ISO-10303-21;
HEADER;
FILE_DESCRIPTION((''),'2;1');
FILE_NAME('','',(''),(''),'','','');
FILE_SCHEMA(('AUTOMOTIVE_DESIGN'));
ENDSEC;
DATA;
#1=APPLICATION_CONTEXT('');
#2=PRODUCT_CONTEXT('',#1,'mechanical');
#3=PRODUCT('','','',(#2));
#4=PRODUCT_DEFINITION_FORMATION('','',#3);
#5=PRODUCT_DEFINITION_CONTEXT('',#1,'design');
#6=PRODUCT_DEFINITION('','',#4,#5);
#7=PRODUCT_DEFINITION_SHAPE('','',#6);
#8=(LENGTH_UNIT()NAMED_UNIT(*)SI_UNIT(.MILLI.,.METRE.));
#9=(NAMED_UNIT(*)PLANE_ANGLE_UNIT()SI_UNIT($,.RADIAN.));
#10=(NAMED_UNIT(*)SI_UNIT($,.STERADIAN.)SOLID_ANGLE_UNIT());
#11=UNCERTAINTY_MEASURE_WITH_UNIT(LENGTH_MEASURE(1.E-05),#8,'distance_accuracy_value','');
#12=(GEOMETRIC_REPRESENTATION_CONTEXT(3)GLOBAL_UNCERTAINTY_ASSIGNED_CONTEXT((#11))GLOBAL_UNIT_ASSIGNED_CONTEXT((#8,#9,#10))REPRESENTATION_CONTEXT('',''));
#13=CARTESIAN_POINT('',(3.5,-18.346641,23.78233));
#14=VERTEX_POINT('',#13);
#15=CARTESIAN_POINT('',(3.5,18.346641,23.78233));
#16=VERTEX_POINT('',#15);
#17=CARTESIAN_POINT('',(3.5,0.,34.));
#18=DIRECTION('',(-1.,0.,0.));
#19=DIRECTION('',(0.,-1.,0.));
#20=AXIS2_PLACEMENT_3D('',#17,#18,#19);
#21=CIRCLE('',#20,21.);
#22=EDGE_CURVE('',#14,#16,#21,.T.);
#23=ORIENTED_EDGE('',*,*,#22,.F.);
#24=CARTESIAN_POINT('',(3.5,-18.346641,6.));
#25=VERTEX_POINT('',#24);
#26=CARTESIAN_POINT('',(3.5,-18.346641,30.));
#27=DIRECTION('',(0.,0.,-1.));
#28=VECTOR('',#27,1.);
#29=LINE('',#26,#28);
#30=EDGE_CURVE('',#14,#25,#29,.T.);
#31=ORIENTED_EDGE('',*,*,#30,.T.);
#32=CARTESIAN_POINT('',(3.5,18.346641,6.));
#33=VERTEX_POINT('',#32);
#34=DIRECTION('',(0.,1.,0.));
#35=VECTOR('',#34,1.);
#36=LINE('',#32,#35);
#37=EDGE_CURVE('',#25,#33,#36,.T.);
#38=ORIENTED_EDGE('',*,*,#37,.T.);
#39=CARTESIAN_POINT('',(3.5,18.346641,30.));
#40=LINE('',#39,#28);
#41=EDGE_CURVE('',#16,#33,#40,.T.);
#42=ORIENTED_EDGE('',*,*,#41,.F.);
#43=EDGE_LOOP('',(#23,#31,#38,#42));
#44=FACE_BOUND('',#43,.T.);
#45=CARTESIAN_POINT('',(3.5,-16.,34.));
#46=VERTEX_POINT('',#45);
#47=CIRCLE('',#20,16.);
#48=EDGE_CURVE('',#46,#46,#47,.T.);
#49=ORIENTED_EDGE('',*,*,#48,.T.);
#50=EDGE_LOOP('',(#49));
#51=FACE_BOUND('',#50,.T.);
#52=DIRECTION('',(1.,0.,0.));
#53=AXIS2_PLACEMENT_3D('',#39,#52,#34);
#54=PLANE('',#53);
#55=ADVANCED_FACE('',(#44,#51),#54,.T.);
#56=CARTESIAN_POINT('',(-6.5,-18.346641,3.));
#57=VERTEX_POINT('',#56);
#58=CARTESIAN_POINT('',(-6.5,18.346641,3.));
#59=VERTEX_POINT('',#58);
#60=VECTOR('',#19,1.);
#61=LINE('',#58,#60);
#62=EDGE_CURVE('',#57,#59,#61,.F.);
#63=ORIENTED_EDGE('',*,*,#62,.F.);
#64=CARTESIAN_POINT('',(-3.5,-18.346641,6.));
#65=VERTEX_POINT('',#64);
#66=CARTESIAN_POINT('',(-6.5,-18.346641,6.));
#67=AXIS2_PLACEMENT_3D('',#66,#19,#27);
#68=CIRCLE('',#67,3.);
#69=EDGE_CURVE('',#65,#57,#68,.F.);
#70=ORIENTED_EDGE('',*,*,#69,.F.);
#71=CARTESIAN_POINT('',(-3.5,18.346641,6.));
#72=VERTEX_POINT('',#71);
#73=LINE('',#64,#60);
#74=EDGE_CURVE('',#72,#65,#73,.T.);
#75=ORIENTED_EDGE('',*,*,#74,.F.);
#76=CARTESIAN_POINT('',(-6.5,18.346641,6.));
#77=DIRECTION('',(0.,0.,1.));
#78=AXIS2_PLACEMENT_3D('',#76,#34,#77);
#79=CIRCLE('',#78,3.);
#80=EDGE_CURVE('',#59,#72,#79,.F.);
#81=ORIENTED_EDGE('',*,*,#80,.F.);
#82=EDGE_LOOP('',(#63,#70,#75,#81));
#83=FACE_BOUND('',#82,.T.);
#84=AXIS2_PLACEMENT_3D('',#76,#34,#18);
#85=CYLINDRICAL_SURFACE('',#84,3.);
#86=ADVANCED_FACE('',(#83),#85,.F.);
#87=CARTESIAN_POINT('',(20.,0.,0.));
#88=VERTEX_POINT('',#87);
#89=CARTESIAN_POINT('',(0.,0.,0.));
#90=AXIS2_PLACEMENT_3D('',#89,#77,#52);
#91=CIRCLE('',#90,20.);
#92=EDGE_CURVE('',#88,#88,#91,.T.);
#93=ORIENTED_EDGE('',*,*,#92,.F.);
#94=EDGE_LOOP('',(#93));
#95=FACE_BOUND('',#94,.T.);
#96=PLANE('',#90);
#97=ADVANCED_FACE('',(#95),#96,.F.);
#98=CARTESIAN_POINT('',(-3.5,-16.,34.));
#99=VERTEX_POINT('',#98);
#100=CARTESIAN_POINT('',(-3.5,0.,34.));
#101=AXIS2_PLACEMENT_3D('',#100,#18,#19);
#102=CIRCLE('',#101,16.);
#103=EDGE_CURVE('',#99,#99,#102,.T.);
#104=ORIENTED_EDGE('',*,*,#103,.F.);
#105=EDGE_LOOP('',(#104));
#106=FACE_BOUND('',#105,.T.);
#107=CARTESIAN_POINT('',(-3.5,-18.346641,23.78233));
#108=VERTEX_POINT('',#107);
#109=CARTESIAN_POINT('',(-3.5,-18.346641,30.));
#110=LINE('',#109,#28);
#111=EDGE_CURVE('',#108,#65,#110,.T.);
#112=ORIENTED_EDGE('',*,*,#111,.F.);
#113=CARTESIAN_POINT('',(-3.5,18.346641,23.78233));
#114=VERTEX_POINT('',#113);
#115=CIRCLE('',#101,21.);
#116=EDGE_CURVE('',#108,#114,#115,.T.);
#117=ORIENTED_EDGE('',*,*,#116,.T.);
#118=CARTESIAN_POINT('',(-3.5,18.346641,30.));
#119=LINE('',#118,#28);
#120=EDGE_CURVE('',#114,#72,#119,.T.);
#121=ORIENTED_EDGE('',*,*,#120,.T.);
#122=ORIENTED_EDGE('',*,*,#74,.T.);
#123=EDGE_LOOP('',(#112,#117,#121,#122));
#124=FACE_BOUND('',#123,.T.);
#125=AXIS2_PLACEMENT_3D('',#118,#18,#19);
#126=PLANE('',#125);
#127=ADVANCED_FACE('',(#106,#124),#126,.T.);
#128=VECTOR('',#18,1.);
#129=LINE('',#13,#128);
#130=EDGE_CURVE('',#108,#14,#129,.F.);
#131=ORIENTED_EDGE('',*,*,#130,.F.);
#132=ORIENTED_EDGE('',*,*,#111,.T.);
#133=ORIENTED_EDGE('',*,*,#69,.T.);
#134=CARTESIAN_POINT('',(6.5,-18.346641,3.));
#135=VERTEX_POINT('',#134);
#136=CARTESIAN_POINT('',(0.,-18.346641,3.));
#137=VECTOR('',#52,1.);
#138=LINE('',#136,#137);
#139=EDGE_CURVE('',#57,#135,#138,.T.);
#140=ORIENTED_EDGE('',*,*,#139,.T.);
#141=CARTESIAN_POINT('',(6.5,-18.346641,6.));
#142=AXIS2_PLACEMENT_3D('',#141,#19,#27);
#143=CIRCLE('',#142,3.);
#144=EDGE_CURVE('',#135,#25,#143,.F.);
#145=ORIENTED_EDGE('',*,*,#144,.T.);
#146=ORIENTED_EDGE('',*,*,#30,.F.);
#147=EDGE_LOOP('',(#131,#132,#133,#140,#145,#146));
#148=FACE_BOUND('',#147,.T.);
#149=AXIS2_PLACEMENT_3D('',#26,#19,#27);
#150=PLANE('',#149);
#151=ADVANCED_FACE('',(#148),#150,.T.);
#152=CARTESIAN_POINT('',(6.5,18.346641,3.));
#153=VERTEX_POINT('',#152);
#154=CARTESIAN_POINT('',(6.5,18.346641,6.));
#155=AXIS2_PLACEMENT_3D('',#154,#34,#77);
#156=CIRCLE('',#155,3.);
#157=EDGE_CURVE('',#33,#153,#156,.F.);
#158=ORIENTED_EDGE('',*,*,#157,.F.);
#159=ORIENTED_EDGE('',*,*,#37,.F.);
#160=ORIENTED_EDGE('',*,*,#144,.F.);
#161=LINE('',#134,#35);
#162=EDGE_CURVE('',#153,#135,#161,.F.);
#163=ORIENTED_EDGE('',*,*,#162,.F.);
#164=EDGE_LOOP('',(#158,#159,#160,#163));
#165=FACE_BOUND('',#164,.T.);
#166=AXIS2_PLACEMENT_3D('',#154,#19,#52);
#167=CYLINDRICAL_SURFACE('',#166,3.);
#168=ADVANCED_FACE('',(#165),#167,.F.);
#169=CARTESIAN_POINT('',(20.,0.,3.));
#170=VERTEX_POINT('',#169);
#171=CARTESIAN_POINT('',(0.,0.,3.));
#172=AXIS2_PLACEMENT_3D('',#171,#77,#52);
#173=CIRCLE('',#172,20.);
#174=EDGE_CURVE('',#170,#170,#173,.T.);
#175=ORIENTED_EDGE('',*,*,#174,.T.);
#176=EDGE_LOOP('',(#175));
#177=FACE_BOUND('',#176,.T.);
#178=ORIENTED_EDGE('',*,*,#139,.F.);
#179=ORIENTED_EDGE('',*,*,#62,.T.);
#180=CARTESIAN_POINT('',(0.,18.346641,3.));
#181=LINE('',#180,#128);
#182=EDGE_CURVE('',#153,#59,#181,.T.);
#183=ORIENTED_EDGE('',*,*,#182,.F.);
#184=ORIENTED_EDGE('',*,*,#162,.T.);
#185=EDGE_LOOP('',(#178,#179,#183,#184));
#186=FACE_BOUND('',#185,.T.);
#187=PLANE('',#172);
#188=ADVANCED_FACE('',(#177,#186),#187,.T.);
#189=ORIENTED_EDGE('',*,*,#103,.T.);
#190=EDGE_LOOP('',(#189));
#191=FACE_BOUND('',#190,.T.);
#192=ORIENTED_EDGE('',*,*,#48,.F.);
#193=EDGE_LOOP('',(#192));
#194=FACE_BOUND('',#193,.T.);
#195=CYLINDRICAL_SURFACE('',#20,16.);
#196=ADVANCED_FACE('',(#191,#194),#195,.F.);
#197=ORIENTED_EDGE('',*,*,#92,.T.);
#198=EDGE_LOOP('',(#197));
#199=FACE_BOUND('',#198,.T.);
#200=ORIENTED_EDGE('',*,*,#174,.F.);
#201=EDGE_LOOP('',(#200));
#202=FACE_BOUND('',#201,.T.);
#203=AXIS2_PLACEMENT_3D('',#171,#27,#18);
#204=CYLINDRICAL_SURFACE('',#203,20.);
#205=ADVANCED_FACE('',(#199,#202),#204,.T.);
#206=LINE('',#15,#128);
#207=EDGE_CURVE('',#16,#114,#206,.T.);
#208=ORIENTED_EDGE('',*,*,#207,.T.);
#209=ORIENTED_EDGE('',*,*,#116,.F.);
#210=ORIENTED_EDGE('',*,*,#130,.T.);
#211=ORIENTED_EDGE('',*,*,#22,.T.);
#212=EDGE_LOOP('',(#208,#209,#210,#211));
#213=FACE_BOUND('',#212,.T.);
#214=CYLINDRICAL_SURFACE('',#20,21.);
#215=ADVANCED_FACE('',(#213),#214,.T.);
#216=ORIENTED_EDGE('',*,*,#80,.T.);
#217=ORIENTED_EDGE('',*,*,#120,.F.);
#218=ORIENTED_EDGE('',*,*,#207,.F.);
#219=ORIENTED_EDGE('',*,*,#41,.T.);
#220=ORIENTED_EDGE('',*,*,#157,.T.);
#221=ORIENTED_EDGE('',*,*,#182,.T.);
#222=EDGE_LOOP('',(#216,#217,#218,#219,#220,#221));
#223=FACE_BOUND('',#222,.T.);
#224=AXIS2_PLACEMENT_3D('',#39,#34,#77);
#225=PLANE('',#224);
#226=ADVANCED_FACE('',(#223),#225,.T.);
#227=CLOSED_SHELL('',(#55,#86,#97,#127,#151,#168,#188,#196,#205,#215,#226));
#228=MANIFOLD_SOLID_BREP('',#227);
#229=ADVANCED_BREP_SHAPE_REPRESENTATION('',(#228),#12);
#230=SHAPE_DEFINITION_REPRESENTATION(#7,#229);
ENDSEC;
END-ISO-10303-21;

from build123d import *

# Parameters (mm, degrees)
SKETCH1_R           = 20
BOSS_EXTRUDE1_DEPTH = 3
SKETCH2_W           = 7
SKETCH2_H           = 36.693281072
BOSS_EXTRUDE2_DEPTH = 30
FILLET2_R           = 3
SKETCH3_R           = 21
SKETCH3_R_2         = 16
BOSS_EXTRUDE3_DEPTH = 7
SKETCH4_R           = 16
CUT_EXTRUDE1_DEPTH  = 7


with BuildPart() as part:
    # Sketch1 → Boss-Extrude1 (new body)
    with BuildSketch(Plane.XY):
        Circle(SKETCH1_R)
    extrude(amount=BOSS_EXTRUDE1_DEPTH)

    # Sketch2 → Boss-Extrude2 (add)
    with BuildSketch(Plane(origin=(0, 0, 0), x_dir=(-1, 0, 0), z_dir=(0, 0, -1))):
        Rectangle(SKETCH2_W, SKETCH2_H)
    extrude(amount=-BOSS_EXTRUDE2_DEPTH)

    # Fillet2
    fillet2_edges = [part.edges().sort_by_distance(p)[0] for p in [
        (3.5, 0, 3),
        (-3.5, 0, 3),
    ]]
    fillet(fillet2_edges, radius=FILLET2_R)

    # Sketch3 → Boss-Extrude3 (add)
    with BuildSketch(Plane.ZY.offset(3.5)):
        with Locations((34, 0)):
            Circle(SKETCH3_R)
        with Locations((34, 0)):
            Circle(SKETCH3_R_2, mode=Mode.SUBTRACT)
    extrude(amount=-BOSS_EXTRUDE3_DEPTH)

    # Sketch4 → Cut-Extrude1 (cut)
    with BuildSketch(Plane.ZY.offset(3.5)):
        with Locations(Location((34, 0, 0), (0, 0, 270))):
            Circle(SKETCH4_R)
    extrude(amount=-CUT_EXTRUDE1_DEPTH, mode=Mode.SUBTRACT)


solid = part.part
